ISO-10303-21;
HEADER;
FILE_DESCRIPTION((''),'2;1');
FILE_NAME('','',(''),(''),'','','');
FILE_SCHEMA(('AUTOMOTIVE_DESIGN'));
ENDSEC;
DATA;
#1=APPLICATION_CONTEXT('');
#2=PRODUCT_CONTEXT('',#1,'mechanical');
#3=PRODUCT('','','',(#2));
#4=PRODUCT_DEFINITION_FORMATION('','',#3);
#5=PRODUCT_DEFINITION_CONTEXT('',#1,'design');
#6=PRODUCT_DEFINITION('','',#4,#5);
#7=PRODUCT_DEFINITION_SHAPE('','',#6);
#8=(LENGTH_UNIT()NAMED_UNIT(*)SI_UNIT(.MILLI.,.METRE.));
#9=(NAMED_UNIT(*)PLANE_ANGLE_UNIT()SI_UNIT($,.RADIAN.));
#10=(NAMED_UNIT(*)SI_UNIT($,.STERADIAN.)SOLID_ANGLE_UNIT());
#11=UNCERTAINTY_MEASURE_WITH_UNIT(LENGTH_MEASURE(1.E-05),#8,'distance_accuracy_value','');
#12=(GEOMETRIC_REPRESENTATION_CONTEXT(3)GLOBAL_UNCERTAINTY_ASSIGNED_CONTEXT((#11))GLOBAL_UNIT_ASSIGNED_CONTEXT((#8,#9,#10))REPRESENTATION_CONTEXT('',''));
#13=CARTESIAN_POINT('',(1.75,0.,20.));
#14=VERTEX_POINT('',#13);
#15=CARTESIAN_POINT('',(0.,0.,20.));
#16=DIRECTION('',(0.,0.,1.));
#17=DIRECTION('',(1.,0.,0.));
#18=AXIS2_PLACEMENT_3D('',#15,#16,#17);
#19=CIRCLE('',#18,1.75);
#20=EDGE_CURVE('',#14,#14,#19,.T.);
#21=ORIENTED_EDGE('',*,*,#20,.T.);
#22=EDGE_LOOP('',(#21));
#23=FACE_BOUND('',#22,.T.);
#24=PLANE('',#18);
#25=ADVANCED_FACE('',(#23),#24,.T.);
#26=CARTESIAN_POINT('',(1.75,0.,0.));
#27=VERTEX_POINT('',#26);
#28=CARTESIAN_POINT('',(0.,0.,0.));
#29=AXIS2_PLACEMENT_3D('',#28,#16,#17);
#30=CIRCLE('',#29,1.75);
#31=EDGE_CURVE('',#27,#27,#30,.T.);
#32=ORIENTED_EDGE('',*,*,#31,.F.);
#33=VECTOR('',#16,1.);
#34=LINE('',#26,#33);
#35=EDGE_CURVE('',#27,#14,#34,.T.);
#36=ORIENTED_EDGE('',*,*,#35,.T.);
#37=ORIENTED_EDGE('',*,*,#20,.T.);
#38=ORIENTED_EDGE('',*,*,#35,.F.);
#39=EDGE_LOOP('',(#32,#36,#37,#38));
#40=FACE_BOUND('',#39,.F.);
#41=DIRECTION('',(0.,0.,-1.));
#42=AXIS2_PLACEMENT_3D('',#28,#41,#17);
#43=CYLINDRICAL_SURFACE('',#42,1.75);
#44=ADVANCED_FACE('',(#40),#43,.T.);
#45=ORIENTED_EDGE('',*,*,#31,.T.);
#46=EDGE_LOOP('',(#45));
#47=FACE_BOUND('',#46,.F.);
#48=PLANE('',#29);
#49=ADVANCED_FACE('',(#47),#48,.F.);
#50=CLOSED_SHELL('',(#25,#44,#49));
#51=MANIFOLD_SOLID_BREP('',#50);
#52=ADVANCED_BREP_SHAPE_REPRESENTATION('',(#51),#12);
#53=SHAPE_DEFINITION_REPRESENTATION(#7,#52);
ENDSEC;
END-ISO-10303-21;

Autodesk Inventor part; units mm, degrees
ref_plane "YZ Plane" through (0, 0, 0) normal (1, 0, 0) x (0, 1, 0)
ref_plane "XZ Plane" through (0, 0, 0) normal (0, 1, 0) x (-1, 0, 0)
ref_plane "XY Plane" through (0, 0, 0) normal (0, 0, 1) x (1, 0, 0)
sketch "Sketch1" plane through (0, 0, 0) normal (0, 0, 1) x (1, 0, 0)
  circle A0 centre (0, 0) radius 1.75
  dimension "d0" = 3.5
extrude "Extrusion1" add sketch "Sketch1" along normal blind 20
properties part number "core_y_termination"
